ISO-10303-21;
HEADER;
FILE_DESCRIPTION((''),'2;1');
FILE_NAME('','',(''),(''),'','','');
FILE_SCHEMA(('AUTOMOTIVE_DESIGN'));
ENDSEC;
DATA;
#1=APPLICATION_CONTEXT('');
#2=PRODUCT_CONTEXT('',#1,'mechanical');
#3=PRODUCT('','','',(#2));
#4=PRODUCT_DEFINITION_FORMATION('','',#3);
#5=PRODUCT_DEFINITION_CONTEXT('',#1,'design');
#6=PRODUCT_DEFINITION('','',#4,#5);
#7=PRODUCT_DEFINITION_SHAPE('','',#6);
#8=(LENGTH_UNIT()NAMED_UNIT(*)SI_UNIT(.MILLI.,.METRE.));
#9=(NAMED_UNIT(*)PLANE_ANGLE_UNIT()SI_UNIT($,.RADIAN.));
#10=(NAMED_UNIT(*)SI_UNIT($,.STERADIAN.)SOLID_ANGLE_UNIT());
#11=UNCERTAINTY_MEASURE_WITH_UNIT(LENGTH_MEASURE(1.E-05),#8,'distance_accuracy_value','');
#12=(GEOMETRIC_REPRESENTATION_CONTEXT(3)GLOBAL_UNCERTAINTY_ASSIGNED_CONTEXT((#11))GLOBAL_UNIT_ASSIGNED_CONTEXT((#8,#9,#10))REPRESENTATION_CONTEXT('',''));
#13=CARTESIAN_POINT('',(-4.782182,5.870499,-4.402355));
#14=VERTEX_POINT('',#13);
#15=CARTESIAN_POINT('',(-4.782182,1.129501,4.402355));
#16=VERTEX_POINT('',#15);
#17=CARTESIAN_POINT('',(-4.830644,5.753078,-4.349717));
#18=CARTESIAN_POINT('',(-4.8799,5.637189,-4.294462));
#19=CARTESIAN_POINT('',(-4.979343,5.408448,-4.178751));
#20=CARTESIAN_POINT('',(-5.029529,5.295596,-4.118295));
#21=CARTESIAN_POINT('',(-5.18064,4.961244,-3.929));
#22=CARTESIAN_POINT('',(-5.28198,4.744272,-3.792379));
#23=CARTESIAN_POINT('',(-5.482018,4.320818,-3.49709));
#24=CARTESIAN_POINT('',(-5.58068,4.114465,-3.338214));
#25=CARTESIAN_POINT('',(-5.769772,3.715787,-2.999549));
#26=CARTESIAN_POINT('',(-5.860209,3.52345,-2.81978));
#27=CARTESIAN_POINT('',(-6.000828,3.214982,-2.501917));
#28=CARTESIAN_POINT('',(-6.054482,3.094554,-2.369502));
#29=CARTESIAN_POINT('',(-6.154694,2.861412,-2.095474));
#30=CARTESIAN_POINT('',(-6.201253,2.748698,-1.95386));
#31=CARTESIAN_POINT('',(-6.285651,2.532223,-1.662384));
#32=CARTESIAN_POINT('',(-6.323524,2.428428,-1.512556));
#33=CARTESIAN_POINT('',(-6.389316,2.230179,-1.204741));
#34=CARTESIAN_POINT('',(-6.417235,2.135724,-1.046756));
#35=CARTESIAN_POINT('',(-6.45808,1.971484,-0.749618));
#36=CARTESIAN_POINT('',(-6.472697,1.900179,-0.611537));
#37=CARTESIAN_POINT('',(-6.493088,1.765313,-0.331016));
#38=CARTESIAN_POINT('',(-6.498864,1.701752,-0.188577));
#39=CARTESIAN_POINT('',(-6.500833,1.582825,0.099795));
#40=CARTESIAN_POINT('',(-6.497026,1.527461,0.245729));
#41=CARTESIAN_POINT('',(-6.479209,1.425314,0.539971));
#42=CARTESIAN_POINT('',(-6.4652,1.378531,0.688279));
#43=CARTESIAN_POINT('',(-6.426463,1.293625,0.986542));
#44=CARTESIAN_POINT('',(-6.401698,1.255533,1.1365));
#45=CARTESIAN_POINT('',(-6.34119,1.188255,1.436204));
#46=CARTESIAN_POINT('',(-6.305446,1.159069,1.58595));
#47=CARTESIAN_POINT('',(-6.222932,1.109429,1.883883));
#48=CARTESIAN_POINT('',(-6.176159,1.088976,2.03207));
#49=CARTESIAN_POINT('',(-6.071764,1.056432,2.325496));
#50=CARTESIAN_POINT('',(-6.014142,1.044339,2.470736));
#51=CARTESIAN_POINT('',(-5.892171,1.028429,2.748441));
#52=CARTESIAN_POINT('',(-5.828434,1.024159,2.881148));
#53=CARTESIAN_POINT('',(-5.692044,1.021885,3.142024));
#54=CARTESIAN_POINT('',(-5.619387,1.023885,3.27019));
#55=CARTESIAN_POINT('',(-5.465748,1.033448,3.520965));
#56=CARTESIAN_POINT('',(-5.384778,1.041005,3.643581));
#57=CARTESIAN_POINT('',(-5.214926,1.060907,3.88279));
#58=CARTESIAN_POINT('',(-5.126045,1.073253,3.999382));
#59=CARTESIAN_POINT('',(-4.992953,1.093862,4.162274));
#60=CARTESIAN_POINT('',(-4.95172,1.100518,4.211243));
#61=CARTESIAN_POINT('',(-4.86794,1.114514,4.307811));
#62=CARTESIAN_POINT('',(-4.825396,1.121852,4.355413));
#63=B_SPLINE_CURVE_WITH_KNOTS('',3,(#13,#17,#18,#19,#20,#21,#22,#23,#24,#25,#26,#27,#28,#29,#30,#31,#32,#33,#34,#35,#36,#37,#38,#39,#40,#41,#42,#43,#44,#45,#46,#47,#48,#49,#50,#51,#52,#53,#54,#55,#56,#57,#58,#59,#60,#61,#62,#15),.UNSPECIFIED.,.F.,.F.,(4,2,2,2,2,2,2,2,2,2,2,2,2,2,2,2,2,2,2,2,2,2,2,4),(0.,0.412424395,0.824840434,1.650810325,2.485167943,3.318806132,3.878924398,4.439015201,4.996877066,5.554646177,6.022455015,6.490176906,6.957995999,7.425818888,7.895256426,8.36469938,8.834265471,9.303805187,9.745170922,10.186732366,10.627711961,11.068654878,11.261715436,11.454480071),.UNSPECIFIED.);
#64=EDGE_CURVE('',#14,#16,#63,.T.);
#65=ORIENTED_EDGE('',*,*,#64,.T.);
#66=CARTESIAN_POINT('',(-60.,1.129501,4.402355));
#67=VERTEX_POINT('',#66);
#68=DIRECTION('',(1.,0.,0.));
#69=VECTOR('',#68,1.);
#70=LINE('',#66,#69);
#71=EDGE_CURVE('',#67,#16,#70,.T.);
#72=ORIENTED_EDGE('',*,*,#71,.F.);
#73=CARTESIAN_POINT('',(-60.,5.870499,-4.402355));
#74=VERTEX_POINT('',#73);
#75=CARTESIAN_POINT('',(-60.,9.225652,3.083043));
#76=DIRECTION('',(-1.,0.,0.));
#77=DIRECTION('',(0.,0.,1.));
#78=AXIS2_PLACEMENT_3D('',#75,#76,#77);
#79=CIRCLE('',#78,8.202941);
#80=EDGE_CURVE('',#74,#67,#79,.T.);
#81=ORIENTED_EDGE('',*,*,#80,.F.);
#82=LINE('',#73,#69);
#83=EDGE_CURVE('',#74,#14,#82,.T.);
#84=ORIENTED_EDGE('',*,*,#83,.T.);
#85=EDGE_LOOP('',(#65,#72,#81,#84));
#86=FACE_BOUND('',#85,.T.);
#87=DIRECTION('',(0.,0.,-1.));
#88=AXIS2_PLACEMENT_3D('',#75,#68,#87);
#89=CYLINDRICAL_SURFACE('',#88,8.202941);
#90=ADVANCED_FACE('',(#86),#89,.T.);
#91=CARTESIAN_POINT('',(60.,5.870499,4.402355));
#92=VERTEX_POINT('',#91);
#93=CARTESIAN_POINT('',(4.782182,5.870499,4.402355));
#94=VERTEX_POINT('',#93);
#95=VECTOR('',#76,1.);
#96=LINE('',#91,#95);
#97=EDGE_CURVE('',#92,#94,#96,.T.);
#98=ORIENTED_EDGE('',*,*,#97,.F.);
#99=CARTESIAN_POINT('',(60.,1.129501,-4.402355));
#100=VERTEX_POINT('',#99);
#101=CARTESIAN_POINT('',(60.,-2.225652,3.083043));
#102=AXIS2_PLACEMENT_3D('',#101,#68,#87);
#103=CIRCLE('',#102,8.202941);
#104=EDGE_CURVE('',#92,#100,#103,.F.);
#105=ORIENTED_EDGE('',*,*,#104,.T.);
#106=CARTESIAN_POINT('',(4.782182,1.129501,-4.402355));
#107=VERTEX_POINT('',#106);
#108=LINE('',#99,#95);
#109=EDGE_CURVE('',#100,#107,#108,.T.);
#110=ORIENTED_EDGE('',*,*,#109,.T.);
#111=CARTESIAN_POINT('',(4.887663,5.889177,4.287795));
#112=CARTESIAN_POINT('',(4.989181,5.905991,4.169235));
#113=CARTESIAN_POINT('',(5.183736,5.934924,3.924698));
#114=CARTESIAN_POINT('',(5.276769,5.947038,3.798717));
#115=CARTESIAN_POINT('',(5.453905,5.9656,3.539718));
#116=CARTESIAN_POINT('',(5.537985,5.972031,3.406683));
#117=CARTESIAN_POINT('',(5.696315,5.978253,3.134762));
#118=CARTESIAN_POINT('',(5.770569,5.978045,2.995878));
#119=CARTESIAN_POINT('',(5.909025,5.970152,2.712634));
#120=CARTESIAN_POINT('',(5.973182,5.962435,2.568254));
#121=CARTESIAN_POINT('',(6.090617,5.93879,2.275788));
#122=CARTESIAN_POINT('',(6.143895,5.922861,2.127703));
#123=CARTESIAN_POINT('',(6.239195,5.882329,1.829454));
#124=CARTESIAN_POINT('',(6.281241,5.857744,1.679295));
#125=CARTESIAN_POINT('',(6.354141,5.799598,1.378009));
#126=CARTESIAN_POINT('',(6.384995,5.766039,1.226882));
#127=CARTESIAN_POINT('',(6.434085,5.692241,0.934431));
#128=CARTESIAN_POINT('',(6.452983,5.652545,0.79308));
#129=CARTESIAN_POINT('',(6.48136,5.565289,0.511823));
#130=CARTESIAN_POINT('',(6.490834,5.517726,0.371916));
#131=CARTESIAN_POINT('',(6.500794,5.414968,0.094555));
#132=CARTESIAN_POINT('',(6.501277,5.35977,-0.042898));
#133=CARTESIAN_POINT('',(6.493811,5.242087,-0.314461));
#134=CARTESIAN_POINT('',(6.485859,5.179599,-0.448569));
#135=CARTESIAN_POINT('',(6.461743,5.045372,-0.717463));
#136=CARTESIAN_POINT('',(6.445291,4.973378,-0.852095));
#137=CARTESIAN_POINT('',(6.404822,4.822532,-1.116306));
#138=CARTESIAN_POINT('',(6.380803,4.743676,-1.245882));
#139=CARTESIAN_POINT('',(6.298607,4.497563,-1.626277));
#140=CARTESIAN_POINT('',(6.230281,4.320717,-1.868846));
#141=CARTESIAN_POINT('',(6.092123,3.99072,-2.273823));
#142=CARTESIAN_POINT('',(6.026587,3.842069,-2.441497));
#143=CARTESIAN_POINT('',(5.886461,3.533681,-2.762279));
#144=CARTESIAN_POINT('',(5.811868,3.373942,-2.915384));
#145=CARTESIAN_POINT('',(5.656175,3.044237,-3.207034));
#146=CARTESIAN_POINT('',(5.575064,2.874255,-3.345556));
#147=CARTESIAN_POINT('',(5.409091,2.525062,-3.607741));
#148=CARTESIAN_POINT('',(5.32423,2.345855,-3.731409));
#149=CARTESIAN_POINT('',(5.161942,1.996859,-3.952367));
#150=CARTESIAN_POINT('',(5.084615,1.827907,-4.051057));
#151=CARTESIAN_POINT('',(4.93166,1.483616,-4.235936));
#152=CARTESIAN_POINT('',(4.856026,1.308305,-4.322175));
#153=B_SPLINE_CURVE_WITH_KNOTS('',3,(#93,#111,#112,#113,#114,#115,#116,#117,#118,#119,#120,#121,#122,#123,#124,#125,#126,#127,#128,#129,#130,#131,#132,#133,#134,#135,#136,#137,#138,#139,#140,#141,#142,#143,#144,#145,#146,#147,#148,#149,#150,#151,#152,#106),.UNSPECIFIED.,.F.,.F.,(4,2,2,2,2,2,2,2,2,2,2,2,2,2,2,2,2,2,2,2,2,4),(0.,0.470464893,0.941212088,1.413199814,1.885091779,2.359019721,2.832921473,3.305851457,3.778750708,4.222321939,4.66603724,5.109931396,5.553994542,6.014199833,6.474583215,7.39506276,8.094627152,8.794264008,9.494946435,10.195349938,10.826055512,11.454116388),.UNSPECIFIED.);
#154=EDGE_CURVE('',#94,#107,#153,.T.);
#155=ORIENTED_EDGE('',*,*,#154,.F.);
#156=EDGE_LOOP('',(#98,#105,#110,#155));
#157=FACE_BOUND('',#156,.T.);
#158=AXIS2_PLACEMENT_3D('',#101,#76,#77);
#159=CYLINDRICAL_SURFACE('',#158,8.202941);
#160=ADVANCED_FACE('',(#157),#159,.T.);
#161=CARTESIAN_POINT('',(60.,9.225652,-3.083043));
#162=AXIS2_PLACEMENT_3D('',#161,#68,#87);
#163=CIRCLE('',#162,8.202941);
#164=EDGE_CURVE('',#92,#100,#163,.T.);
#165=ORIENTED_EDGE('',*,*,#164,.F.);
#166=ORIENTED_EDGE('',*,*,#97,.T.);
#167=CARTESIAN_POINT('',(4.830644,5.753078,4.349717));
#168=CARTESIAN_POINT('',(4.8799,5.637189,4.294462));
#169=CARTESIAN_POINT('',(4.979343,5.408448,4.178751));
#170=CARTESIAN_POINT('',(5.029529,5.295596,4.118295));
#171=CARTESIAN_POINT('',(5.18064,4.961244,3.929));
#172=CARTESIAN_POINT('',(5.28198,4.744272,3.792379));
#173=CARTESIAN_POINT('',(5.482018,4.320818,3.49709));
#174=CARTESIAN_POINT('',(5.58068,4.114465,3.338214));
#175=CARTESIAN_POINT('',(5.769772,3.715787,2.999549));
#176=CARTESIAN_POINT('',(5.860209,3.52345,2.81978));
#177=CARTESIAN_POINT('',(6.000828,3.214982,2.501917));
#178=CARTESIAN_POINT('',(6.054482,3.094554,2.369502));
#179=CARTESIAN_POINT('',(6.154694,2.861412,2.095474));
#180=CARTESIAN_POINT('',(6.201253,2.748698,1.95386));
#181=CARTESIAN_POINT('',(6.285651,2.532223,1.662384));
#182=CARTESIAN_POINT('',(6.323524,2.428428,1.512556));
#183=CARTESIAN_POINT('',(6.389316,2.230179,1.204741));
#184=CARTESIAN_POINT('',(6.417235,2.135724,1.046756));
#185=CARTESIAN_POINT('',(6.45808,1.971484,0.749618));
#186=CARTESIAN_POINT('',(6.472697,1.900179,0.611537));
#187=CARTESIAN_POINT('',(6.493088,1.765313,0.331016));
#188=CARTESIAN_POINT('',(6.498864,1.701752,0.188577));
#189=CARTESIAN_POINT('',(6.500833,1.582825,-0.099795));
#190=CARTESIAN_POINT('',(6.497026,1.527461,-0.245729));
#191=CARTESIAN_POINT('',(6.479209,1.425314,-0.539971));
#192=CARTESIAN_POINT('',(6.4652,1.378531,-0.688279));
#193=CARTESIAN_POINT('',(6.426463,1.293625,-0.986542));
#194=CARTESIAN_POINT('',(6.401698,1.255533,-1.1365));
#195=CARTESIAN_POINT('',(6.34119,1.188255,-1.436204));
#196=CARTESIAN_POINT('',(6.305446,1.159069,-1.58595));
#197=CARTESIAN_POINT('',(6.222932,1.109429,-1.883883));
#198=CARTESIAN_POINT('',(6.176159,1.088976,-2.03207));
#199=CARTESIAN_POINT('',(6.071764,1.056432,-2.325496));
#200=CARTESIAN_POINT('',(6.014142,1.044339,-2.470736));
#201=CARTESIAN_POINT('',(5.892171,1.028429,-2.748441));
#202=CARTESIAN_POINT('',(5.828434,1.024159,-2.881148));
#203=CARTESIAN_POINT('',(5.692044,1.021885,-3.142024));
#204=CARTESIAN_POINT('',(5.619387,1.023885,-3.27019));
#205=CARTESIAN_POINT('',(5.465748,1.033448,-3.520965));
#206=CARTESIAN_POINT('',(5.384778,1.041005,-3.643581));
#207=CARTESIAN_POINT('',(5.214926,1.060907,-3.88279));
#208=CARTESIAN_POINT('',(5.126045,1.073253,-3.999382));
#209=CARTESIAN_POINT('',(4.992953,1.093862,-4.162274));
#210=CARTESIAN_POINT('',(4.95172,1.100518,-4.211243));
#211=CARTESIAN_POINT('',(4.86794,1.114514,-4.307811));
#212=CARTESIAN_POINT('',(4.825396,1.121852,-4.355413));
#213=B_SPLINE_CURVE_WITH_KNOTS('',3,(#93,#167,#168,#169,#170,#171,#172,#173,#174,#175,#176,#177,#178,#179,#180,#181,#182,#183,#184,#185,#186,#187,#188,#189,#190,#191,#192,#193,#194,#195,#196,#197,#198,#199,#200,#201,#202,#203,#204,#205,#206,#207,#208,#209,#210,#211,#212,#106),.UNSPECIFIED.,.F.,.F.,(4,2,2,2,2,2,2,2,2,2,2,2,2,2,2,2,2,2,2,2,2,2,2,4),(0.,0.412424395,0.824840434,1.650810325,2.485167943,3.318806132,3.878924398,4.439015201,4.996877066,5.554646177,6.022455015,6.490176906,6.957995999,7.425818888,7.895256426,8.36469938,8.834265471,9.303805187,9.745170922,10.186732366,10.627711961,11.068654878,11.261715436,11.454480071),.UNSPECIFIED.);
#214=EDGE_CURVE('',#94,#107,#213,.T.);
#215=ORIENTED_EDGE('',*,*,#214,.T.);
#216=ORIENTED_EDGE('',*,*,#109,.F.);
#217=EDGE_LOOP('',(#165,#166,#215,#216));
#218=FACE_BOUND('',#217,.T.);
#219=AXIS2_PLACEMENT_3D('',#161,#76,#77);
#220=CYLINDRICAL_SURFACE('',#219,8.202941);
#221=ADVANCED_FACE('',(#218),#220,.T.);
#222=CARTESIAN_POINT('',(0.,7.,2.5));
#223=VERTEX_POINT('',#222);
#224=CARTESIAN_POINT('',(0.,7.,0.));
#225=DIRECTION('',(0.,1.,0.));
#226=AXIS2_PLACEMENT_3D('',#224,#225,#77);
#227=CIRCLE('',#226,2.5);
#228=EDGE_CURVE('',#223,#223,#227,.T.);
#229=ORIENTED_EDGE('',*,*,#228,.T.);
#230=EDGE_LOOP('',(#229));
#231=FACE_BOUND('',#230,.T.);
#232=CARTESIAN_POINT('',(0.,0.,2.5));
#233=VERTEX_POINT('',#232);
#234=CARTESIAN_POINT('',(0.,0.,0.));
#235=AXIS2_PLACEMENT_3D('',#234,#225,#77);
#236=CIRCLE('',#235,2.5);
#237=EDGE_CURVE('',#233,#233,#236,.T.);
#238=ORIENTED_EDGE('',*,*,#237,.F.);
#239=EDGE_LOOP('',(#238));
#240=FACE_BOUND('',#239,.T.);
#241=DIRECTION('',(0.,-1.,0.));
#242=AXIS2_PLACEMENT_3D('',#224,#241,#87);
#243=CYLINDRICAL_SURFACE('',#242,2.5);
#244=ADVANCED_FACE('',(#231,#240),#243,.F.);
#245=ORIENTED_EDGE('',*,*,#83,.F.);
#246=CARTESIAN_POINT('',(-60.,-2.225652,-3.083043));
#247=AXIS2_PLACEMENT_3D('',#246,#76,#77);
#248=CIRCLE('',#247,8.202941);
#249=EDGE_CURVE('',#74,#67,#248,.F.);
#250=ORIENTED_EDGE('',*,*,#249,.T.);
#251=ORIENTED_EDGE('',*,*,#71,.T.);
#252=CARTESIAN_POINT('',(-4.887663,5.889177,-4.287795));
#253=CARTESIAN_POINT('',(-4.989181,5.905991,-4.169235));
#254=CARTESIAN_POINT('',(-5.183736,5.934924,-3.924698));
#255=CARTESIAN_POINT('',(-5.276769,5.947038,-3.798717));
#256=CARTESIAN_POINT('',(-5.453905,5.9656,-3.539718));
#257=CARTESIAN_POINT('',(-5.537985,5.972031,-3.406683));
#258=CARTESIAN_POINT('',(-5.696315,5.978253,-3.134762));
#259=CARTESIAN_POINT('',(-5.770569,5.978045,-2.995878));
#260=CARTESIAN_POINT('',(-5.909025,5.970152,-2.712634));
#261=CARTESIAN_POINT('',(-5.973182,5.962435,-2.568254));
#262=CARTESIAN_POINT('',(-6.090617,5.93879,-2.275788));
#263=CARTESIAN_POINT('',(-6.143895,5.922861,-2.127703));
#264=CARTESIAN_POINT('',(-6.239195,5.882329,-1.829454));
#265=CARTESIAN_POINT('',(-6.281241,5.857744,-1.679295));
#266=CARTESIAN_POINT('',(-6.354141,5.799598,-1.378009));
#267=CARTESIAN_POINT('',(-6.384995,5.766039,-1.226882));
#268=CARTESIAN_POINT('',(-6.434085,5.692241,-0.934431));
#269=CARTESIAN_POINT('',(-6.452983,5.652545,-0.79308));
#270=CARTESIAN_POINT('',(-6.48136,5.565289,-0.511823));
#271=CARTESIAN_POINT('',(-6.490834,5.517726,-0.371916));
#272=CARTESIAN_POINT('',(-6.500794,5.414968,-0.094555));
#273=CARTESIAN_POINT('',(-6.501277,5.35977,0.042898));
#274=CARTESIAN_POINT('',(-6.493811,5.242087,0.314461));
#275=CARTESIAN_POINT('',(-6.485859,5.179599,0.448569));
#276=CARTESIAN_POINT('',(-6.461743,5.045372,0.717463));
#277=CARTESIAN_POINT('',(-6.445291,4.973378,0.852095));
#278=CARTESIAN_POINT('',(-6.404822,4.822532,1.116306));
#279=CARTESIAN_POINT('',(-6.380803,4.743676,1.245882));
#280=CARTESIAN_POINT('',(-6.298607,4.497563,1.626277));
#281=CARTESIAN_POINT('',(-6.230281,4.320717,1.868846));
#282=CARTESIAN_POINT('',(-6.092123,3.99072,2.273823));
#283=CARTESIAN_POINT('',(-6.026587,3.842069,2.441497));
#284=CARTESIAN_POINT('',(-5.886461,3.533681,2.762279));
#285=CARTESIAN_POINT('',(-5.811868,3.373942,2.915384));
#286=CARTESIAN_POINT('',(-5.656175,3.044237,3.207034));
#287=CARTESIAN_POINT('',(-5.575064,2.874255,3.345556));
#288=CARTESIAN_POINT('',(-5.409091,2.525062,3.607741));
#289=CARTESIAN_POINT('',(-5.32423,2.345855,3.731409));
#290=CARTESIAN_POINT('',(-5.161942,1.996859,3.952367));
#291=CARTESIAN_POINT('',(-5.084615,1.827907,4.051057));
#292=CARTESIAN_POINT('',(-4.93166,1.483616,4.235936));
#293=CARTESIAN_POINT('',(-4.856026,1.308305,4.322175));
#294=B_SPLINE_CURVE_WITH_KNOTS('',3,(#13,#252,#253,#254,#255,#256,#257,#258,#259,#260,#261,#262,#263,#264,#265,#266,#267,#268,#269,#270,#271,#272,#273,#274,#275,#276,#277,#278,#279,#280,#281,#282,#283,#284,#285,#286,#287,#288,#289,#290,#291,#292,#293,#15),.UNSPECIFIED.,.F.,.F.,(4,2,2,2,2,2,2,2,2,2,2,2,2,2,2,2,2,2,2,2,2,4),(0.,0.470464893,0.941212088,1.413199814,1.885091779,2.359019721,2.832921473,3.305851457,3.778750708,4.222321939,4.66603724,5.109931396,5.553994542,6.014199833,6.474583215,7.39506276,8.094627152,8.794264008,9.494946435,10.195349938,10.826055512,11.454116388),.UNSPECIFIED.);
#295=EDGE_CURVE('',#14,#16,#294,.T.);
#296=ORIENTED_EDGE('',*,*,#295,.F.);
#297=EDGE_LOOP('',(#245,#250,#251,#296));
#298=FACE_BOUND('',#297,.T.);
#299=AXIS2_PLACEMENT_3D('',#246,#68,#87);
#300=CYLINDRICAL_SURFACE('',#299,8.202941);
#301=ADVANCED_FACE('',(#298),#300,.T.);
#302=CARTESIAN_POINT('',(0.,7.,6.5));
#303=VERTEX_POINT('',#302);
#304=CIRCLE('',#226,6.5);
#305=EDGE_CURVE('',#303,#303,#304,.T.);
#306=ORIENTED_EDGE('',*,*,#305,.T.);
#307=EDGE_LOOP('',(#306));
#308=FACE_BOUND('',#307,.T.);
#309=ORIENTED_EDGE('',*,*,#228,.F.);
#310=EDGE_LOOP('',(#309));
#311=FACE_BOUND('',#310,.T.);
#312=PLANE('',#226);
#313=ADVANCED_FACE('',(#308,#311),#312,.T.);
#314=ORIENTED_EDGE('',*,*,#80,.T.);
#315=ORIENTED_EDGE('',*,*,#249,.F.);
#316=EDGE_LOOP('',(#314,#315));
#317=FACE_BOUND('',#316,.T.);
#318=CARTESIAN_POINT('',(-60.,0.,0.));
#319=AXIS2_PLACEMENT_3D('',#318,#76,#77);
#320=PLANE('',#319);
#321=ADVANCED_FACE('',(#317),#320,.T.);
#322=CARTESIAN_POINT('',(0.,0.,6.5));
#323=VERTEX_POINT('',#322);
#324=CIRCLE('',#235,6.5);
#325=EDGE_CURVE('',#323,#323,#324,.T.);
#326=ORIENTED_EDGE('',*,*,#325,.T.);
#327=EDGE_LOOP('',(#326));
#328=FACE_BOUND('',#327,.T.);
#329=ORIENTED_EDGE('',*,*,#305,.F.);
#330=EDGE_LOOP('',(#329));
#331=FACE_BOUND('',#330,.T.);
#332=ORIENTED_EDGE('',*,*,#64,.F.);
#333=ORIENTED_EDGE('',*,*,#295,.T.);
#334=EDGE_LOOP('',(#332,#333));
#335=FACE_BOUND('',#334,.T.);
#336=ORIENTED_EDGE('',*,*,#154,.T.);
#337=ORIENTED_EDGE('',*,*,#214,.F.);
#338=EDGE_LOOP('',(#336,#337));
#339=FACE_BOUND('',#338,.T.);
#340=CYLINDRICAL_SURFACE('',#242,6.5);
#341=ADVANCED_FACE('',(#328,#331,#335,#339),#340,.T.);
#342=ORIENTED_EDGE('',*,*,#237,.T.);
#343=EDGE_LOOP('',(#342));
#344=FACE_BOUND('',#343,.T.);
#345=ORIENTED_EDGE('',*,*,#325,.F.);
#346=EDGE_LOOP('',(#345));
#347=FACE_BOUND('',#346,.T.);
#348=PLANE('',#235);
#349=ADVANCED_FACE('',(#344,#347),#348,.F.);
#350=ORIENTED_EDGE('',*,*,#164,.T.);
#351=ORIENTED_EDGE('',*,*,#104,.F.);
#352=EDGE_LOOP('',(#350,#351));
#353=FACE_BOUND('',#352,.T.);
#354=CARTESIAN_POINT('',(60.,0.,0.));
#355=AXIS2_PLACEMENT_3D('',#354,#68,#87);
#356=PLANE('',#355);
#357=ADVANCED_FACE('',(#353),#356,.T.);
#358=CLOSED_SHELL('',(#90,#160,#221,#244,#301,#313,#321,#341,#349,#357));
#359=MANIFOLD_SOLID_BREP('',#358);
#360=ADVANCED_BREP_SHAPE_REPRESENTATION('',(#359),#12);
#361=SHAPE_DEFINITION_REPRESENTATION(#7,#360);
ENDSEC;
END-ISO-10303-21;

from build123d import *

# Parameters (mm, degrees)
SKETCH1_R           = 6.5
SKETCH1_R_2         = 2.5
BOSS_EXTRUDE1_DEPTH = 7
BOSS_EXTRUDE2_START = 4
BOSS_EXTRUDE2_DEPTH = 56
CIRPATTERN1_COUNT   = 2


with BuildPart() as part:
    # Sketch1 → Boss-Extrude1 (new body)
    with BuildSketch(Plane(origin=(0, 0, 0), x_dir=(1, 0, 0), z_dir=(0, 1, 0))):
        with Locations(Location((0, 0, 0), (0, 0, 270))):
            Circle(SKETCH1_R)
        with Locations(Location((0, 0, 0), (0, 0, 270))):
            Circle(SKETCH1_R_2, mode=Mode.SUBTRACT)
    extrude(amount=BOSS_EXTRUDE1_DEPTH)

    # Sketch2 → Boss-Extrude2 (add)
    with BuildSketch(Plane(origin=(0, 0, 0), x_dir=(0, 0, -1), z_dir=(1, 0, 0)).offset(BOSS_EXTRUDE2_START)):
        with BuildLine():
            ThreePointArc((-4.4023555, 5.870499115), (0.805969699, 4.99680087), (4.4023555, 1.129500885))
            Line((4.4023555, 1.129500885), (-4.4023555, 5.870499115))
        make_face()
        with BuildLine():
            Line((-4.4023555, 5.870499115), (4.4023555, 1.129500885))
            ThreePointArc((4.4023555, 1.129500885), (-0.805969699, 2.00319913), (-4.4023555, 5.870499115))
        make_face()
    boss_extrude2 = extrude(amount=BOSS_EXTRUDE2_DEPTH)

    # CirPattern1: Boss-Extrude2 ×2 about axis
    cirpattern1_axis = Axis((0, 7.76683161, 0), (0, -1, 0))
    for i in range(1, CIRPATTERN1_COUNT):
        add(boss_extrude2.rotate(cirpattern1_axis, i * 360 / CIRPATTERN1_COUNT))


solid = part.part
